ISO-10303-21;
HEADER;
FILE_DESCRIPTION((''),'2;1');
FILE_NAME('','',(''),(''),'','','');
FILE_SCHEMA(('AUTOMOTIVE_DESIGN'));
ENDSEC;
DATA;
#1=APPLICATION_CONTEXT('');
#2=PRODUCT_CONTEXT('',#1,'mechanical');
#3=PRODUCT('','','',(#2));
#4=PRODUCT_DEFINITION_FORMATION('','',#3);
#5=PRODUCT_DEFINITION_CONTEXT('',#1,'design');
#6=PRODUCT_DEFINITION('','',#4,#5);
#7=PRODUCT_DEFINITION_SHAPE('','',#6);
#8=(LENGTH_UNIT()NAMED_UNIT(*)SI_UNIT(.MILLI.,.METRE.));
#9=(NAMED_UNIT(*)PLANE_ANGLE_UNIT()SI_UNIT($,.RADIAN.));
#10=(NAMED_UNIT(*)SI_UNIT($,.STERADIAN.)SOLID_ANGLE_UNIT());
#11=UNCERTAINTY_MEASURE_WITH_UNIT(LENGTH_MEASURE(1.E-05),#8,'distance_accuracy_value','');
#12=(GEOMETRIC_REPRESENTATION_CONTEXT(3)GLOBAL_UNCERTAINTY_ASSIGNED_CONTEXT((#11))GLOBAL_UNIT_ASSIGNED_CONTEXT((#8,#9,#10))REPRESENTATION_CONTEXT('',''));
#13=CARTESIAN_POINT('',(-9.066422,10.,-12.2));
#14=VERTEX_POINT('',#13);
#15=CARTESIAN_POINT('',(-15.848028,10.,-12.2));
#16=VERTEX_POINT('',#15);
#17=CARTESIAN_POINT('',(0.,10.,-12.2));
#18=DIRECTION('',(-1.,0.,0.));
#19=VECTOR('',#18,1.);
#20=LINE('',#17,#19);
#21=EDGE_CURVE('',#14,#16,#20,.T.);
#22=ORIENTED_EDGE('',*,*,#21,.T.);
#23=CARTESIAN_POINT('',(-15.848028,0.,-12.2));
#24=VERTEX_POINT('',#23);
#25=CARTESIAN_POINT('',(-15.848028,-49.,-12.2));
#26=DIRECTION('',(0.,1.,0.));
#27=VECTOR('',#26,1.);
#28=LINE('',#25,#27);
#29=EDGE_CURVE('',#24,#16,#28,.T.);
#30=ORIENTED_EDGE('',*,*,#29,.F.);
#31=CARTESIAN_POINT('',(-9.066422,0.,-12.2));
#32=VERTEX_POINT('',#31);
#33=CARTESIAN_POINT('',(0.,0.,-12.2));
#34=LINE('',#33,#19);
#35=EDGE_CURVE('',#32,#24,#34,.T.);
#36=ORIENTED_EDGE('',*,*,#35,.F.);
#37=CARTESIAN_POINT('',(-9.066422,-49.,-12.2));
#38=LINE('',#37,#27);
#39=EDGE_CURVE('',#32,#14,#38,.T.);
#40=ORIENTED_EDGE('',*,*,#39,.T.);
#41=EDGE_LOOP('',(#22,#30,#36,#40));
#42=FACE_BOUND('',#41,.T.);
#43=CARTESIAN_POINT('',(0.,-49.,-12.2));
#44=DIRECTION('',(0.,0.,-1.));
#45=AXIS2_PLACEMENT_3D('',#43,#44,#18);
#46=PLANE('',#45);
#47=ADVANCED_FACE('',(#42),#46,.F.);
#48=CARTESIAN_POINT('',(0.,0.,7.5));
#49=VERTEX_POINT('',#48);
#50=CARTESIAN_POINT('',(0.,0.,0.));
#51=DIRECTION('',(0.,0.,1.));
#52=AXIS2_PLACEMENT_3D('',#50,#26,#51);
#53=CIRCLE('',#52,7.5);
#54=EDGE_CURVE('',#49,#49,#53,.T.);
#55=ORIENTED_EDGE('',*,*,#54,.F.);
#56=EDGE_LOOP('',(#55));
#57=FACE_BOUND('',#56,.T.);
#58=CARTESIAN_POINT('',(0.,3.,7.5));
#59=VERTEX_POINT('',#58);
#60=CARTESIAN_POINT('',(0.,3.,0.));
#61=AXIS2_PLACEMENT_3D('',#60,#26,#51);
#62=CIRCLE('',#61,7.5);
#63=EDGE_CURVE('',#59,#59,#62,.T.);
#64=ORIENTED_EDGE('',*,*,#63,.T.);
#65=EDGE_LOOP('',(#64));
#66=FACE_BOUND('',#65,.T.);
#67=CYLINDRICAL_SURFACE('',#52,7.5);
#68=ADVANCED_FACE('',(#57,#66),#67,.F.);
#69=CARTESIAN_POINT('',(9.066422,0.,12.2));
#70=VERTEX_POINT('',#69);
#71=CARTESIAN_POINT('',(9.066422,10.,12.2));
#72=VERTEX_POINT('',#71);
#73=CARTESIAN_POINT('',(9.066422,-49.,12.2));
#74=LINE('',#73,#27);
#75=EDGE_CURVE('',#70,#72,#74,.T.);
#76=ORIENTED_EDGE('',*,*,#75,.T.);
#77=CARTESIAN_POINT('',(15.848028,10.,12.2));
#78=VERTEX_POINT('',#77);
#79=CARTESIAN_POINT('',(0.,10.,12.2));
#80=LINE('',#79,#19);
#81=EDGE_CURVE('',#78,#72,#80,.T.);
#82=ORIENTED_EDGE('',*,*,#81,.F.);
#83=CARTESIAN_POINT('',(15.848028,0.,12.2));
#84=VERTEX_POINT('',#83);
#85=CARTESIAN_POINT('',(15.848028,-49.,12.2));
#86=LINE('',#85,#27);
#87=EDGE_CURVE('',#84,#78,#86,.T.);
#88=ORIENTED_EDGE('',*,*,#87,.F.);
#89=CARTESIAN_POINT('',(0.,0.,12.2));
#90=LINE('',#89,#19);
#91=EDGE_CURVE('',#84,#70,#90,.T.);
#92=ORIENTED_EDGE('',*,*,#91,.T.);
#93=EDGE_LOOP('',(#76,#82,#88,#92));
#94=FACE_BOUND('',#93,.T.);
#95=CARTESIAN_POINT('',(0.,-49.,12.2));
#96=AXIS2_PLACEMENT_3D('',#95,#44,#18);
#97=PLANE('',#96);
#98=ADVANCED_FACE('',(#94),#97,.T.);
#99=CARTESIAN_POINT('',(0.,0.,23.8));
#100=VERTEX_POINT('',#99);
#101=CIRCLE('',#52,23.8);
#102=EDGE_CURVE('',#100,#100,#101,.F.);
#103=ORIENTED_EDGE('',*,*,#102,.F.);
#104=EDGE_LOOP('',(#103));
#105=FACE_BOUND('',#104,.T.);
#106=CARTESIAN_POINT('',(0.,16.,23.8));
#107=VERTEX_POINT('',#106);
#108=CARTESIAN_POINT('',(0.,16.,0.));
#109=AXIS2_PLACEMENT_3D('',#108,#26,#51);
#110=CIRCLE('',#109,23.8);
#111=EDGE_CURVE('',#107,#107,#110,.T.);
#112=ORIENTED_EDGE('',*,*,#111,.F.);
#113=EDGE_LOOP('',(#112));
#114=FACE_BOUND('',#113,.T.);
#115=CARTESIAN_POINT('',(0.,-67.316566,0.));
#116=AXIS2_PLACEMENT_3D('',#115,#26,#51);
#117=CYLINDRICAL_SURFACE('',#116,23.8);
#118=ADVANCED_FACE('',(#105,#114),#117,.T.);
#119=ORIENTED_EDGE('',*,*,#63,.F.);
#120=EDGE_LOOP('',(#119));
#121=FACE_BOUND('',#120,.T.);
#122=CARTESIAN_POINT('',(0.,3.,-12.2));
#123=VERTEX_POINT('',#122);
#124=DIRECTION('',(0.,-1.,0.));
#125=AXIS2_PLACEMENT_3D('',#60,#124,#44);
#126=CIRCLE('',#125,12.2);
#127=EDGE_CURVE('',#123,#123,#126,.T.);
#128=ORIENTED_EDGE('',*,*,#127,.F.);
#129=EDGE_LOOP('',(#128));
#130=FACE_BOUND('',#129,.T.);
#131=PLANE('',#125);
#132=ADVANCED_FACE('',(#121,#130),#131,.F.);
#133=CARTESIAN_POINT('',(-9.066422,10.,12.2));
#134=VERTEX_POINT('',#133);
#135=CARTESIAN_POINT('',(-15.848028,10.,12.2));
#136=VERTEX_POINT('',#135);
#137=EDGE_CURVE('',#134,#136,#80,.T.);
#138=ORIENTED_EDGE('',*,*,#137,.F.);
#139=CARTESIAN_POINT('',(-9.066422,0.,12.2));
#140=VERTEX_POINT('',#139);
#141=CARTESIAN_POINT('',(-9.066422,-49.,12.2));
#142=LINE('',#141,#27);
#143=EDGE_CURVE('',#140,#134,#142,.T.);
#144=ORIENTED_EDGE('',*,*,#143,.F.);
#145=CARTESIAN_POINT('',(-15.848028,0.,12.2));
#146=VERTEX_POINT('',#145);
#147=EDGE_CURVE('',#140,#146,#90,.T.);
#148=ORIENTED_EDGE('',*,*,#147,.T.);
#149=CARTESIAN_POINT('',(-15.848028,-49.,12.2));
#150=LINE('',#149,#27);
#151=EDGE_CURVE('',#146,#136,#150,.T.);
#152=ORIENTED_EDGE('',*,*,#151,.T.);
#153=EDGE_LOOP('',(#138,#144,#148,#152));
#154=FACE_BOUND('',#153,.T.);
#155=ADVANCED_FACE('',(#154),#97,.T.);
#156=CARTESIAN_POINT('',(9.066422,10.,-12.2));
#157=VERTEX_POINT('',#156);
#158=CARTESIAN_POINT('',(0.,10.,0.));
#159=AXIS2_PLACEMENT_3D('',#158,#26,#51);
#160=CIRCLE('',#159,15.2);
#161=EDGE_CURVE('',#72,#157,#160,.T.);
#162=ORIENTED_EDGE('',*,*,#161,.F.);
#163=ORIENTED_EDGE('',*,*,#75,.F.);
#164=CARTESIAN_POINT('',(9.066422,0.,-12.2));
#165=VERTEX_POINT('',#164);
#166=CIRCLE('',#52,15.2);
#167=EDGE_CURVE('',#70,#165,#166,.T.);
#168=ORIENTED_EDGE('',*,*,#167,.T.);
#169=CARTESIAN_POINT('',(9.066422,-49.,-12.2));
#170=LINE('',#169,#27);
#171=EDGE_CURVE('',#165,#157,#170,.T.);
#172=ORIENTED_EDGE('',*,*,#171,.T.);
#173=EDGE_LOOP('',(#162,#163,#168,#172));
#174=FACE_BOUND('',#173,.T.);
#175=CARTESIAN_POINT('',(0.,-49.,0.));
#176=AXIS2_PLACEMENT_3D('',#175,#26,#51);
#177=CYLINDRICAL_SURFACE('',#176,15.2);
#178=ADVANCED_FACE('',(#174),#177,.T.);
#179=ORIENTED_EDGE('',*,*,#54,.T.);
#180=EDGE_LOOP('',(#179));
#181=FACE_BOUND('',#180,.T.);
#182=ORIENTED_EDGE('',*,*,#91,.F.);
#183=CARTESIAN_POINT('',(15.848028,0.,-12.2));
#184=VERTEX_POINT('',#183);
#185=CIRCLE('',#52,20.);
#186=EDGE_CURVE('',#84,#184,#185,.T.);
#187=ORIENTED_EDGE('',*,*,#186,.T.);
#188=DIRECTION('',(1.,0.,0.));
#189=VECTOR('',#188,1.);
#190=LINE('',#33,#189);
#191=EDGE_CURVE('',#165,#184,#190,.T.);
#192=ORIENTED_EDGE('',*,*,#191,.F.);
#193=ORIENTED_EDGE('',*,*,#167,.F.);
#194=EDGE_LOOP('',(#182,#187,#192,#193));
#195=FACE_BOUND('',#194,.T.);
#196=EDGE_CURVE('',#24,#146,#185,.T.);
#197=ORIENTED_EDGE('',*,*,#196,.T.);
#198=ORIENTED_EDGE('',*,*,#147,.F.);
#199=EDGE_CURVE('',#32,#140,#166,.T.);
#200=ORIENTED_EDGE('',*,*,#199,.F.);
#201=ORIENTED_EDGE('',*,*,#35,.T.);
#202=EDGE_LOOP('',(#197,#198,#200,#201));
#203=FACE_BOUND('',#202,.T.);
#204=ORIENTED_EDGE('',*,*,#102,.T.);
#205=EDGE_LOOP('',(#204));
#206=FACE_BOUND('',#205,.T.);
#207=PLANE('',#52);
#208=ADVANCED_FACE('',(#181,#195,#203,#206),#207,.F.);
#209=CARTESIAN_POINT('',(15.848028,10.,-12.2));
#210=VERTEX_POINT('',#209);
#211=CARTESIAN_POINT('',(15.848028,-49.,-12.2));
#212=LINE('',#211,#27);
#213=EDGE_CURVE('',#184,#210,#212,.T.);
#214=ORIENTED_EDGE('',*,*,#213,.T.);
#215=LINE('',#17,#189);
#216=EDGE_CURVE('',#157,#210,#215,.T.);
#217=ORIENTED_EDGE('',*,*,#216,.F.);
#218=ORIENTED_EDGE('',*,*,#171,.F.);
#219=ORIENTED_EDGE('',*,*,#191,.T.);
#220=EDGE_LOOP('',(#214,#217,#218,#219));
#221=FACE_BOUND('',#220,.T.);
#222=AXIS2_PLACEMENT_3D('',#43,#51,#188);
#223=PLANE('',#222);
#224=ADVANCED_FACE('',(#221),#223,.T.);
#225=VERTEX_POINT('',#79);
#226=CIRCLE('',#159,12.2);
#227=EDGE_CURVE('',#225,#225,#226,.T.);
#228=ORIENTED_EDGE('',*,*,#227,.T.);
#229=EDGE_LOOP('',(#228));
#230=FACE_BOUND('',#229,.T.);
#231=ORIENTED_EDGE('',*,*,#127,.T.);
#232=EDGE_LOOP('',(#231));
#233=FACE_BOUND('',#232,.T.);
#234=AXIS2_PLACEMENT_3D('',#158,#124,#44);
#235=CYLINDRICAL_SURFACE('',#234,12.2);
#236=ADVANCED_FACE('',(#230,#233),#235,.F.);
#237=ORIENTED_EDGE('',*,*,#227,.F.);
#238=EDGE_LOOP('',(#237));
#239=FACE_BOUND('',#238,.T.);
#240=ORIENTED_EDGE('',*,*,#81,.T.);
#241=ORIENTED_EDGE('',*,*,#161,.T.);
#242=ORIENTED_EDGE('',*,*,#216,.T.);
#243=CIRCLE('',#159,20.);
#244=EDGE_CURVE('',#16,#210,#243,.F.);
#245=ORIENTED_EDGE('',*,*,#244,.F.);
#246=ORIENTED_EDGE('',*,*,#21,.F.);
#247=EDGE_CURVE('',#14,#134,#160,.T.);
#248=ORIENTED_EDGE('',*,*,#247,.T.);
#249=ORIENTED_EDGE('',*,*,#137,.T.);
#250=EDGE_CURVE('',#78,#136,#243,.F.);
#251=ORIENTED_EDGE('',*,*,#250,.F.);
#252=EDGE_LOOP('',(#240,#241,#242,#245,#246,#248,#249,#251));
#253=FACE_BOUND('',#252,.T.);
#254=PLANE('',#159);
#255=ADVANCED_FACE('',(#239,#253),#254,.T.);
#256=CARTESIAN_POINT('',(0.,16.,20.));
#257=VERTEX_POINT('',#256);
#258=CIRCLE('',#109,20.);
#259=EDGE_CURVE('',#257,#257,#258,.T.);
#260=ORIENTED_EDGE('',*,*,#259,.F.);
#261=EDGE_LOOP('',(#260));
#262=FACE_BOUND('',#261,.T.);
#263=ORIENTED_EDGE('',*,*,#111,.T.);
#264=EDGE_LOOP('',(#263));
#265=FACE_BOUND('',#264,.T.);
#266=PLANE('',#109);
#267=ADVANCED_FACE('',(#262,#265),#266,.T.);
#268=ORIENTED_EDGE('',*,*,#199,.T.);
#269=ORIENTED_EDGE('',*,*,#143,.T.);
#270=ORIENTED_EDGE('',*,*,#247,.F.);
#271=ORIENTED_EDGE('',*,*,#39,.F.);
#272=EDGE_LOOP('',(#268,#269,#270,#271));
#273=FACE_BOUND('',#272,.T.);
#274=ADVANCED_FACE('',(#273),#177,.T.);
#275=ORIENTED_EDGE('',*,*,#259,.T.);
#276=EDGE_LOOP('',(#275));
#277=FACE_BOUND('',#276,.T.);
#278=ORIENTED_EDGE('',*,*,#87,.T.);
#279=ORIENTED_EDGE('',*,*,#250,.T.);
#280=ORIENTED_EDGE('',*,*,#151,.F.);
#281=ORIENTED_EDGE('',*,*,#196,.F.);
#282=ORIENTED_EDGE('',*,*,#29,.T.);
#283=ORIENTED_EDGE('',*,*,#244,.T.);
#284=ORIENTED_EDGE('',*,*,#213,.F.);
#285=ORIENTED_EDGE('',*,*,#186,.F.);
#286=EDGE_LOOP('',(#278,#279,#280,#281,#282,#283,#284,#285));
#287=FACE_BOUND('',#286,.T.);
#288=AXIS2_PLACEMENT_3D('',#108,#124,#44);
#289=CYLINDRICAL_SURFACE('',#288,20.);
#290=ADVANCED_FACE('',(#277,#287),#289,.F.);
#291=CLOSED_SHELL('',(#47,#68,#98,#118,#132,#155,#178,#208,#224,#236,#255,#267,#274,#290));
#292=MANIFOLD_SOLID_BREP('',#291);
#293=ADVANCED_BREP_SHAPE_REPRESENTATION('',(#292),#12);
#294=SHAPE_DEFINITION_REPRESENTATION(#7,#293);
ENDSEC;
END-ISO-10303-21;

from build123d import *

# Parameters (mm, degrees)
SKETCH1_R           = 23.2
SKETCH1_R_2         = 12.2
BOSS_EXTRUDE1_DEPTH = 10
SKETCH2_R           = 12.2
BOSS_EXTRUDE2_DEPTH = 3
SKETCH3_R           = 7.5
CUT_EXTRUDE1_DEPTH  = 3
SKETCH4_R           = 23.2
SKETCH4_R_2         = 20
BOSS_EXTRUDE3_DEPTH = 6
CUT_EXTRUDE3_DEPTH  = 59
SKETCH8_R           = 23.8
SKETCH8_R_2         = 23.2
BOSS_EXTRUDE4_DEPTH = 16


with BuildPart() as part:
    # Sketch1 → Boss-Extrude1 (new body)
    with BuildSketch(Plane(origin=(0, 0, 0), x_dir=(1, 0, 0), z_dir=(0, 1, 0))):
        Circle(SKETCH1_R)
        Circle(SKETCH1_R_2, mode=Mode.SUBTRACT)
    extrude(amount=BOSS_EXTRUDE1_DEPTH)

    # Sketch2 → Boss-Extrude2 (add)
    with BuildSketch(Plane.XZ):
        Circle(SKETCH2_R)
    extrude(amount=-BOSS_EXTRUDE2_DEPTH)

    # Sketch3 → Cut-Extrude1 (cut)
    with BuildSketch(Plane(origin=(0, 3, 0), x_dir=(1, 0, 0), z_dir=(0, 1, 0))):
        Circle(SKETCH3_R)
    extrude(amount=-CUT_EXTRUDE1_DEPTH, mode=Mode.SUBTRACT)

    # Sketch4 → Boss-Extrude3 (add)
    with BuildSketch(Plane(origin=(0, 10, 0), x_dir=(1, 0, 0), z_dir=(0, 1, 0))):
        Circle(SKETCH4_R)
        Circle(SKETCH4_R_2, mode=Mode.SUBTRACT)
    extrude(amount=BOSS_EXTRUDE3_DEPTH)

    # Sketch6 → Cut-Extrude3 (cut)
    with BuildSketch(Plane(origin=(0, 10, 0), x_dir=(1, 0, 0), z_dir=(0, 1, 0))):
        with BuildLine():
            Line((15.848028, 12.2), (9.066422, 12.2))
            ThreePointArc((9.066422, 12.2), (15.2, 0), (9.066422, -12.2))
            Line((9.066422, -12.2), (15.848028, -12.2))
            ThreePointArc((15.848028, -12.2), (20, 0), (15.848028, 12.2))
        make_face()
        with BuildLine():
            ThreePointArc((-9.066422, -12.2), (-15.2, 0), (-9.066422, 12.2))
            Line((-9.066422, 12.2), (-15.848028, 12.2))
            ThreePointArc((-15.848028, 12.2), (-20, 0), (-15.848028, -12.2))
            Line((-15.848028, -12.2), (-9.066422, -12.2))
        make_face()
    extrude(amount=-CUT_EXTRUDE3_DEPTH, mode=Mode.SUBTRACT)

    # Sketch8 → Boss-Extrude4 (add)
    with BuildSketch(Plane(origin=(0, 16, 0), x_dir=(1, 0, 0), z_dir=(0, 1, 0))):
        Circle(SKETCH8_R)
        Circle(SKETCH8_R_2, mode=Mode.SUBTRACT)
    extrude(amount=-BOSS_EXTRUDE4_DEPTH)


solid = part.part
